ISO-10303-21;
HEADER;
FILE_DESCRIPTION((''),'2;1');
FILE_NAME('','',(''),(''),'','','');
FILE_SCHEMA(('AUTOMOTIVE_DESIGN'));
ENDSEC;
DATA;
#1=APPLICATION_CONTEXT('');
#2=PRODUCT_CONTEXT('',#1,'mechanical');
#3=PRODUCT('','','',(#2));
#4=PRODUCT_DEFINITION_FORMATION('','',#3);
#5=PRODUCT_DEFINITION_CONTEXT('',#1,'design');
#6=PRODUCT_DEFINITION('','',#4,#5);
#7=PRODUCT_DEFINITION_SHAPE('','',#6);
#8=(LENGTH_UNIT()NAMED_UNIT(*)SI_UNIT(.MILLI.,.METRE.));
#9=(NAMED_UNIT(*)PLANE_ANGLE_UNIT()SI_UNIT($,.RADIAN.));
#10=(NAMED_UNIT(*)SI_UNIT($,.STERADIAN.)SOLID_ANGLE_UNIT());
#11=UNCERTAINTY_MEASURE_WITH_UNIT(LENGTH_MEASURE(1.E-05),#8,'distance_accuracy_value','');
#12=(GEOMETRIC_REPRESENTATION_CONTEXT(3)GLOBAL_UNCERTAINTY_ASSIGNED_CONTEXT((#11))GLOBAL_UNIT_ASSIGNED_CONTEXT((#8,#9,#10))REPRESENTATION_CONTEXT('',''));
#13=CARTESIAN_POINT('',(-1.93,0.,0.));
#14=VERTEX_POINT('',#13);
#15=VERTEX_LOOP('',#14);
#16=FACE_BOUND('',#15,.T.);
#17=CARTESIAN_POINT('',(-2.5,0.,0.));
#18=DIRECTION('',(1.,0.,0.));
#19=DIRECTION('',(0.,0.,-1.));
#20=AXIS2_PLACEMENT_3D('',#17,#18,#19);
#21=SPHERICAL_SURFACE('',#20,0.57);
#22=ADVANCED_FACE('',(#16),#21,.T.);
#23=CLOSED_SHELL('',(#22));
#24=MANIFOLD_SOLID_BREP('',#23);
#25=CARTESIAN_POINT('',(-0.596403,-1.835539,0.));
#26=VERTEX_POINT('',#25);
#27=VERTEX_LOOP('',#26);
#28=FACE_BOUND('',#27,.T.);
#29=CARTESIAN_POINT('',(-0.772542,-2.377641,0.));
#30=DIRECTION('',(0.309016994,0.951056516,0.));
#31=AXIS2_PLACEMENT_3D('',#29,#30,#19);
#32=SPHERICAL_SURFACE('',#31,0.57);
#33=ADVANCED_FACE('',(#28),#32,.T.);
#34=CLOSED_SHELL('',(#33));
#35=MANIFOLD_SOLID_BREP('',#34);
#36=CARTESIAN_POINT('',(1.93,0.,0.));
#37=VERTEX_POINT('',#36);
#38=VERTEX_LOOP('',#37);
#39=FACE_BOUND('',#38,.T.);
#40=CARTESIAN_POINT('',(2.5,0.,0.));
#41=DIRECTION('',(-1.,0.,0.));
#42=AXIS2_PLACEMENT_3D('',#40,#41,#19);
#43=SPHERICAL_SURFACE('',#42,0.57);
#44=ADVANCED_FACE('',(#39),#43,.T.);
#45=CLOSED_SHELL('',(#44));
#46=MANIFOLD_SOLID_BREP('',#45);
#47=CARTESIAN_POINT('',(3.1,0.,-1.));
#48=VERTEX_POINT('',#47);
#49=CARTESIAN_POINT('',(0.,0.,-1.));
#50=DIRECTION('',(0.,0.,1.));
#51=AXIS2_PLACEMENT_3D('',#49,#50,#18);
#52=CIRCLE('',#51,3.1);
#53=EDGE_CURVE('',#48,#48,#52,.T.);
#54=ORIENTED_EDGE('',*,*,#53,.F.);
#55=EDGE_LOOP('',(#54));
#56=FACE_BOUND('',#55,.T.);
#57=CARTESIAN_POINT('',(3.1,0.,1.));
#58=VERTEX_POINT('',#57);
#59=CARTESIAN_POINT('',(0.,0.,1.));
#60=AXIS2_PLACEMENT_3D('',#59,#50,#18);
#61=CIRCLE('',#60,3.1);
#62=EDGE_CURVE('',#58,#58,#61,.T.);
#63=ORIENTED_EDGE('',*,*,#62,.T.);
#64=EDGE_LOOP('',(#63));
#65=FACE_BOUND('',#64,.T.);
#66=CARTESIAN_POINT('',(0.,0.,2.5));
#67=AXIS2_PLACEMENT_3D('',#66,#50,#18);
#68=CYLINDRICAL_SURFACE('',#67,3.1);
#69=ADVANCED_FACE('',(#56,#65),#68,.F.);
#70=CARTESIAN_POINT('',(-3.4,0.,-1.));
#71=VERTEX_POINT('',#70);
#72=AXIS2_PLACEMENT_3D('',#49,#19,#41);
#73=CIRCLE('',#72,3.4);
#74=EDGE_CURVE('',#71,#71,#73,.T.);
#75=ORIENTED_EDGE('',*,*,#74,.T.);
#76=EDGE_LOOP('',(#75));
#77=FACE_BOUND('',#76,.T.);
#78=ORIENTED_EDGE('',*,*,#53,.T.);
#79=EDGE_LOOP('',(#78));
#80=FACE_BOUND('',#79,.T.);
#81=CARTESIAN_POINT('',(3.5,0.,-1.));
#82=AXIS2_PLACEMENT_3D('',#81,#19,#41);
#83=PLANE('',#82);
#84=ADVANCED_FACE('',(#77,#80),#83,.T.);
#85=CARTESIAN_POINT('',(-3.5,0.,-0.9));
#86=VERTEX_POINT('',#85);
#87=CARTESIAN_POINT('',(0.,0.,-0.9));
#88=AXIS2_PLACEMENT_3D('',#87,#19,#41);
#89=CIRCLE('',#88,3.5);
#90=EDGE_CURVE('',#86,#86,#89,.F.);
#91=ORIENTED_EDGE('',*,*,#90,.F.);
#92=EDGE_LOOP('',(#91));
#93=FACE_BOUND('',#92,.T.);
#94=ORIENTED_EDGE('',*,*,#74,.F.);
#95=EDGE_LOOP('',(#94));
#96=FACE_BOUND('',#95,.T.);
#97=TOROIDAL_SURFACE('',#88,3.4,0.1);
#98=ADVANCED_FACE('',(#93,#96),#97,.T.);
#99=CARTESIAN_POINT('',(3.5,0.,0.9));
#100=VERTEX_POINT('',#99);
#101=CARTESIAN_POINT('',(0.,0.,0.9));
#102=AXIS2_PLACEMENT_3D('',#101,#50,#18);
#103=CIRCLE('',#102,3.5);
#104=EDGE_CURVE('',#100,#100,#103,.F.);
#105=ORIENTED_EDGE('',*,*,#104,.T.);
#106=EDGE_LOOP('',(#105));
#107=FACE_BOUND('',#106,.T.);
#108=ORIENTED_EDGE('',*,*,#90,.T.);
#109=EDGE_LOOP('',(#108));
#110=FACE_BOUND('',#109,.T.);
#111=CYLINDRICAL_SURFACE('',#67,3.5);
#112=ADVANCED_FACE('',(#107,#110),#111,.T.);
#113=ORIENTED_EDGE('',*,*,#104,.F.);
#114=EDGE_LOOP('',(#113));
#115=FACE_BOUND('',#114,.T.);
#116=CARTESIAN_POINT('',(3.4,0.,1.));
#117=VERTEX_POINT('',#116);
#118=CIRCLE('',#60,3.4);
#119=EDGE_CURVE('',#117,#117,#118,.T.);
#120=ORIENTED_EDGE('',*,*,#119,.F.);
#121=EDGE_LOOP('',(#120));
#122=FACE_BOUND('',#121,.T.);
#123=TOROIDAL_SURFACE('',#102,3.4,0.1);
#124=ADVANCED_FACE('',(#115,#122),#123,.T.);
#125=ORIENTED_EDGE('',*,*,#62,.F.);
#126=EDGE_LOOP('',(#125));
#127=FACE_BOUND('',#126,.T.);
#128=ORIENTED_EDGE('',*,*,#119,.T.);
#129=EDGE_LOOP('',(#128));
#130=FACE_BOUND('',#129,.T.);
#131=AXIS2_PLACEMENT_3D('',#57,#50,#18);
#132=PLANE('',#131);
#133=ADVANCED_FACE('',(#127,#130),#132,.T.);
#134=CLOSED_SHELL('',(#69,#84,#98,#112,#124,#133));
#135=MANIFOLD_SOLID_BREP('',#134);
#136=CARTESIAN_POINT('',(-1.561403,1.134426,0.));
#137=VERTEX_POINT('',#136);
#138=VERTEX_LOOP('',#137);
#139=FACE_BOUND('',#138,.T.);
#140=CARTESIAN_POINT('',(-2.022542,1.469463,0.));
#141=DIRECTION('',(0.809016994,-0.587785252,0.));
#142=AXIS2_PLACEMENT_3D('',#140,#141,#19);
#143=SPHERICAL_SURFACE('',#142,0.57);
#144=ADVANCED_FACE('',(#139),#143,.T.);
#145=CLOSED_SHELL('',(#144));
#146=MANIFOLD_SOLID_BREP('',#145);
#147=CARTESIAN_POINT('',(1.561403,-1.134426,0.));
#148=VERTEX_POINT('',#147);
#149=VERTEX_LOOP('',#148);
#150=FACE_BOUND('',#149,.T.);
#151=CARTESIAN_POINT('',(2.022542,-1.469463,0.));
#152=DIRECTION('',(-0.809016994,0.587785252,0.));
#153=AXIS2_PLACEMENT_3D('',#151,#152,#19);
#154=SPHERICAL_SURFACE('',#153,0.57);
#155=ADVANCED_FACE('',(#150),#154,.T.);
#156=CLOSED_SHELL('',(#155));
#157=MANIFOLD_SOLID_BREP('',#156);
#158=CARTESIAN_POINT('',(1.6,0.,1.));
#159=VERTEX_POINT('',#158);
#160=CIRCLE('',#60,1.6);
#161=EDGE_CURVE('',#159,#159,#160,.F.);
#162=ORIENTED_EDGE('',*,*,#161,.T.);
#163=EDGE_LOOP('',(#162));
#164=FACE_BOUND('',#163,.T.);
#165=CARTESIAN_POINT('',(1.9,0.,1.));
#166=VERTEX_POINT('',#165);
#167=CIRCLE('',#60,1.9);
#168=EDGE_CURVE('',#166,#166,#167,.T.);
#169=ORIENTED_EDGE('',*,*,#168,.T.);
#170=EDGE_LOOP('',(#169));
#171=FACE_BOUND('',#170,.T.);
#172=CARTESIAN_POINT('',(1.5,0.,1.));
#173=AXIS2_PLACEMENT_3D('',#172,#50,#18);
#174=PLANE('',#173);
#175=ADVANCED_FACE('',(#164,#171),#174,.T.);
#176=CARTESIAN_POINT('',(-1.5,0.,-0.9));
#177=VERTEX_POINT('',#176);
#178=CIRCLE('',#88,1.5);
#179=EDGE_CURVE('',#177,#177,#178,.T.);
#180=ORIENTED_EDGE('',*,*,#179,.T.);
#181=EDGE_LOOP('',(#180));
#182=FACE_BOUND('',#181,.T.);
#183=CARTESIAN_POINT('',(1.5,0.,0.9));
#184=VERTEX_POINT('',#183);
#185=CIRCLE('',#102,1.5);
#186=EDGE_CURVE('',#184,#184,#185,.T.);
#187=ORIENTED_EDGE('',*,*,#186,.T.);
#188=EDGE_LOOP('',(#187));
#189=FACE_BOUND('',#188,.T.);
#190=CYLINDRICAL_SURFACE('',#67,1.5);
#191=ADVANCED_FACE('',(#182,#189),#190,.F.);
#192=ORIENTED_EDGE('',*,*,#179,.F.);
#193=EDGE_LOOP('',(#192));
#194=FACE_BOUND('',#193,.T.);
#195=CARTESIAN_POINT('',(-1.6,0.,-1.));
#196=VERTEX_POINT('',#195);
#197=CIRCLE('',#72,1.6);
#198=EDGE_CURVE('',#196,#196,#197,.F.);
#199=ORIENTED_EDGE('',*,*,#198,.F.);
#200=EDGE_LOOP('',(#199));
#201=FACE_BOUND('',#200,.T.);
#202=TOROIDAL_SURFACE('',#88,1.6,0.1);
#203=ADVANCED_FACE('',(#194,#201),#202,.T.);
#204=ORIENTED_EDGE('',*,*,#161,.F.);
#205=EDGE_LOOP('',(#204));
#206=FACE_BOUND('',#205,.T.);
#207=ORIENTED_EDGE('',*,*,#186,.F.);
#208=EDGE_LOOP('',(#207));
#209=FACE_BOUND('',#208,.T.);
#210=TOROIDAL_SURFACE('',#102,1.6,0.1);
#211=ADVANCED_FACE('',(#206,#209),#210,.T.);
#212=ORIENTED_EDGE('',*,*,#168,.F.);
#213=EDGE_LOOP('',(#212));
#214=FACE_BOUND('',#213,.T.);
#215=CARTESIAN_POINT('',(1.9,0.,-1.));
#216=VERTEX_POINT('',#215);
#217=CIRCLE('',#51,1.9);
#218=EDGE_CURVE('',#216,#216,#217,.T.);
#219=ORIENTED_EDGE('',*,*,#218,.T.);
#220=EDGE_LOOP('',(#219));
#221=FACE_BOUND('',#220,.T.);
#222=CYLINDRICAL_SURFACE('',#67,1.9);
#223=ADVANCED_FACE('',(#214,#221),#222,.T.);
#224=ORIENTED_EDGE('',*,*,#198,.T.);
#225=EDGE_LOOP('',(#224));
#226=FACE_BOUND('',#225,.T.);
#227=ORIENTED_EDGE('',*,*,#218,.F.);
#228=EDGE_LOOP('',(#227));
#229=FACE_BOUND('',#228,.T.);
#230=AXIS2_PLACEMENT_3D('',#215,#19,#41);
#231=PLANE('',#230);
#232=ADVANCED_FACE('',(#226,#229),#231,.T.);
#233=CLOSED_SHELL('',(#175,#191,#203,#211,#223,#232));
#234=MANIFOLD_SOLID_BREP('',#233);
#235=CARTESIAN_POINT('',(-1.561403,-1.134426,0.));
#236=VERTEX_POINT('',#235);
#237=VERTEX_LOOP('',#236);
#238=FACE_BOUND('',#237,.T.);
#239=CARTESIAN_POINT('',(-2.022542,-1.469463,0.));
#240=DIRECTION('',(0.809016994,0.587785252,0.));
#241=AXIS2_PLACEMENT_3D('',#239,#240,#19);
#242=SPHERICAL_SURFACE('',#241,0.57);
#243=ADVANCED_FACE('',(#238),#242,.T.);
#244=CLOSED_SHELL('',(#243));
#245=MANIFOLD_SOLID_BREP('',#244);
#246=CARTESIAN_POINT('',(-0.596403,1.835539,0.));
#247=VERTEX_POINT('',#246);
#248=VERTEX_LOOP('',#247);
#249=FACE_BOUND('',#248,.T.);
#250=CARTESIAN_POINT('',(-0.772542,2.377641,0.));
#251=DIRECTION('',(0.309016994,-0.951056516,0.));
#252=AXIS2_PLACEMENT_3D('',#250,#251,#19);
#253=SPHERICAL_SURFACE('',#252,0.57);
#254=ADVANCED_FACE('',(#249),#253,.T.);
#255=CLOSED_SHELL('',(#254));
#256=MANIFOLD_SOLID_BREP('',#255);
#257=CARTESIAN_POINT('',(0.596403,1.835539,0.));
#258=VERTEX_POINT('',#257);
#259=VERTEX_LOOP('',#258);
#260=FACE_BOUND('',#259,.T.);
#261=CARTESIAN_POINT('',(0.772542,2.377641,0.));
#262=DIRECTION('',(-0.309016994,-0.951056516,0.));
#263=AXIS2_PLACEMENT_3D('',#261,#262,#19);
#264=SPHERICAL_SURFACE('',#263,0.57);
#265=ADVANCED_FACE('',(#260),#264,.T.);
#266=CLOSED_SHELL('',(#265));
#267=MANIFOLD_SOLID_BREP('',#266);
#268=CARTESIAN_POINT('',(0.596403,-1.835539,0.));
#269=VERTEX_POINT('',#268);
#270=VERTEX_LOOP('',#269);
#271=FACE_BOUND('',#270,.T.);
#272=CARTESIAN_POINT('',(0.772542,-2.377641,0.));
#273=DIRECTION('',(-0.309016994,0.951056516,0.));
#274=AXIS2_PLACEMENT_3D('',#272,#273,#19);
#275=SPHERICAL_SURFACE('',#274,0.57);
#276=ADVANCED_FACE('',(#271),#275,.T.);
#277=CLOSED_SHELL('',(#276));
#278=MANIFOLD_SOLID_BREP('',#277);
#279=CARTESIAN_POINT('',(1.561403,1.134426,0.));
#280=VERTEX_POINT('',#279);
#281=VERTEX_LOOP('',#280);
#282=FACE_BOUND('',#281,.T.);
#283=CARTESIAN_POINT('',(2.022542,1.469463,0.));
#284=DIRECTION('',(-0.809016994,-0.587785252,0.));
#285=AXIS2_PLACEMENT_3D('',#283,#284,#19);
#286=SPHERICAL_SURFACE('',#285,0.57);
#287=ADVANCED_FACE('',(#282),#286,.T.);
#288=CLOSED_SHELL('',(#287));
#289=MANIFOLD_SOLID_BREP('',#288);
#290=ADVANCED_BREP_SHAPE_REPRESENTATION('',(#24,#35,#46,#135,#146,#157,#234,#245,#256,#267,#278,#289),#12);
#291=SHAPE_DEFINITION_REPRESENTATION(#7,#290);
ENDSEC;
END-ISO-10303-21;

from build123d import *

# Parameters (mm, degrees)
INNERS_W           = 0.4
INNERS_H           = 2
OUTERS_W           = 0.4
OUTERS_H           = 2
BALLSPATTERN_COUNT = 10
FILLET_F1_R        = 0.1
FILLET_F2_R        = 0.1


with BuildPart() as part:
    # InnerS → InnerRing (revolve)
    with BuildSketch(Plane(origin=(0, 0, 0), x_dir=(1, 0, 0), z_dir=(0, 1, 0))):
        with Locations((1.7, 0)):
            Rectangle(INNERS_W, INNERS_H)
    revolve(axis=Axis((0, 0, 2.5), (0, 0, -1)))

    # Fillet F1
    fillet_f1_edges = [part.edges().sort_by_distance(p)[0] for p in [
        (-1.5, 0, -1),
        (-1.5, 0, 1),
    ]]
    fillet(fillet_f1_edges, radius=FILLET_F1_R)


with BuildPart() as body_2:
    # OuterS → OuterRing (revolve)
    with BuildSketch(Plane(origin=(0, 0, 0), x_dir=(1, 0, 0), z_dir=(0, 1, 0))):
        with Locations((3.3, 0)):
            Rectangle(OUTERS_W, OUTERS_H)
    revolve(axis=Axis((0, 0, 2.5), (0, 0, -1)))

    # Fillet F2
    fillet_f2_edges = [body_2.edges().sort_by_distance(p)[0] for p in [
        (-3.5, 0, -1),
        (-3.5, 0, 1),
    ]]
    fillet(fillet_f2_edges, radius=FILLET_F2_R)


with BuildPart() as body_3:
    # BallS → Ball (revolve)
    with BuildSketch(Plane(origin=(0, 0, 0), x_dir=(1, 0, 0), z_dir=(0, 1, 0))):
        with BuildLine():
            Line((1.93, 0), (3.07, 0))
            ThreePointArc((3.07, 0), (2.5, -0.57), (1.93, 0))
        make_face()
    revolve(axis=Axis((1.93, 0, 0), (1, 0, 0)))


with BuildPart() as ballspattern_1:
    # BallsPattern: pattern copy
    add(body_3.part.rotate(Axis((0, 0, -1.1), (0, 0, 1)), 1 * 360 / BALLSPATTERN_COUNT))


with BuildPart() as ballspattern_2:
    # BallsPattern: pattern copy
    add(body_3.part.rotate(Axis((0, 0, -1.1), (0, 0, 1)), 2 * 360 / BALLSPATTERN_COUNT))


with BuildPart() as ballspattern_3:
    # BallsPattern: pattern copy
    add(body_3.part.rotate(Axis((0, 0, -1.1), (0, 0, 1)), 3 * 360 / BALLSPATTERN_COUNT))


with BuildPart() as ballspattern_4:
    # BallsPattern: pattern copy
    add(body_3.part.rotate(Axis((0, 0, -1.1), (0, 0, 1)), 4 * 360 / BALLSPATTERN_COUNT))


with BuildPart() as ballspattern_5:
    # BallsPattern: pattern copy
    add(body_3.part.rotate(Axis((0, 0, -1.1), (0, 0, 1)), 5 * 360 / BALLSPATTERN_COUNT))


with BuildPart() as ballspattern_6:
    # BallsPattern: pattern copy
    add(body_3.part.rotate(Axis((0, 0, -1.1), (0, 0, 1)), 6 * 360 / BALLSPATTERN_COUNT))


with BuildPart() as ballspattern_7:
    # BallsPattern: pattern copy
    add(body_3.part.rotate(Axis((0, 0, -1.1), (0, 0, 1)), 7 * 360 / BALLSPATTERN_COUNT))


with BuildPart() as ballspattern_8:
    # BallsPattern: pattern copy
    add(body_3.part.rotate(Axis((0, 0, -1.1), (0, 0, 1)), 8 * 360 / BALLSPATTERN_COUNT))


with BuildPart() as ballspattern_9:
    # BallsPattern: pattern copy
    add(body_3.part.rotate(Axis((0, 0, -1.1), (0, 0, 1)), 9 * 360 / BALLSPATTERN_COUNT))


solid = Compound([part.part, body_2.part, body_3.part, ballspattern_1.part, ballspattern_2.part, ballspattern_3.part, ballspattern_4.part, ballspattern_5.part, ballspattern_6.part, ballspattern_7.part, ballspattern_8.part, ballspattern_9.part])
